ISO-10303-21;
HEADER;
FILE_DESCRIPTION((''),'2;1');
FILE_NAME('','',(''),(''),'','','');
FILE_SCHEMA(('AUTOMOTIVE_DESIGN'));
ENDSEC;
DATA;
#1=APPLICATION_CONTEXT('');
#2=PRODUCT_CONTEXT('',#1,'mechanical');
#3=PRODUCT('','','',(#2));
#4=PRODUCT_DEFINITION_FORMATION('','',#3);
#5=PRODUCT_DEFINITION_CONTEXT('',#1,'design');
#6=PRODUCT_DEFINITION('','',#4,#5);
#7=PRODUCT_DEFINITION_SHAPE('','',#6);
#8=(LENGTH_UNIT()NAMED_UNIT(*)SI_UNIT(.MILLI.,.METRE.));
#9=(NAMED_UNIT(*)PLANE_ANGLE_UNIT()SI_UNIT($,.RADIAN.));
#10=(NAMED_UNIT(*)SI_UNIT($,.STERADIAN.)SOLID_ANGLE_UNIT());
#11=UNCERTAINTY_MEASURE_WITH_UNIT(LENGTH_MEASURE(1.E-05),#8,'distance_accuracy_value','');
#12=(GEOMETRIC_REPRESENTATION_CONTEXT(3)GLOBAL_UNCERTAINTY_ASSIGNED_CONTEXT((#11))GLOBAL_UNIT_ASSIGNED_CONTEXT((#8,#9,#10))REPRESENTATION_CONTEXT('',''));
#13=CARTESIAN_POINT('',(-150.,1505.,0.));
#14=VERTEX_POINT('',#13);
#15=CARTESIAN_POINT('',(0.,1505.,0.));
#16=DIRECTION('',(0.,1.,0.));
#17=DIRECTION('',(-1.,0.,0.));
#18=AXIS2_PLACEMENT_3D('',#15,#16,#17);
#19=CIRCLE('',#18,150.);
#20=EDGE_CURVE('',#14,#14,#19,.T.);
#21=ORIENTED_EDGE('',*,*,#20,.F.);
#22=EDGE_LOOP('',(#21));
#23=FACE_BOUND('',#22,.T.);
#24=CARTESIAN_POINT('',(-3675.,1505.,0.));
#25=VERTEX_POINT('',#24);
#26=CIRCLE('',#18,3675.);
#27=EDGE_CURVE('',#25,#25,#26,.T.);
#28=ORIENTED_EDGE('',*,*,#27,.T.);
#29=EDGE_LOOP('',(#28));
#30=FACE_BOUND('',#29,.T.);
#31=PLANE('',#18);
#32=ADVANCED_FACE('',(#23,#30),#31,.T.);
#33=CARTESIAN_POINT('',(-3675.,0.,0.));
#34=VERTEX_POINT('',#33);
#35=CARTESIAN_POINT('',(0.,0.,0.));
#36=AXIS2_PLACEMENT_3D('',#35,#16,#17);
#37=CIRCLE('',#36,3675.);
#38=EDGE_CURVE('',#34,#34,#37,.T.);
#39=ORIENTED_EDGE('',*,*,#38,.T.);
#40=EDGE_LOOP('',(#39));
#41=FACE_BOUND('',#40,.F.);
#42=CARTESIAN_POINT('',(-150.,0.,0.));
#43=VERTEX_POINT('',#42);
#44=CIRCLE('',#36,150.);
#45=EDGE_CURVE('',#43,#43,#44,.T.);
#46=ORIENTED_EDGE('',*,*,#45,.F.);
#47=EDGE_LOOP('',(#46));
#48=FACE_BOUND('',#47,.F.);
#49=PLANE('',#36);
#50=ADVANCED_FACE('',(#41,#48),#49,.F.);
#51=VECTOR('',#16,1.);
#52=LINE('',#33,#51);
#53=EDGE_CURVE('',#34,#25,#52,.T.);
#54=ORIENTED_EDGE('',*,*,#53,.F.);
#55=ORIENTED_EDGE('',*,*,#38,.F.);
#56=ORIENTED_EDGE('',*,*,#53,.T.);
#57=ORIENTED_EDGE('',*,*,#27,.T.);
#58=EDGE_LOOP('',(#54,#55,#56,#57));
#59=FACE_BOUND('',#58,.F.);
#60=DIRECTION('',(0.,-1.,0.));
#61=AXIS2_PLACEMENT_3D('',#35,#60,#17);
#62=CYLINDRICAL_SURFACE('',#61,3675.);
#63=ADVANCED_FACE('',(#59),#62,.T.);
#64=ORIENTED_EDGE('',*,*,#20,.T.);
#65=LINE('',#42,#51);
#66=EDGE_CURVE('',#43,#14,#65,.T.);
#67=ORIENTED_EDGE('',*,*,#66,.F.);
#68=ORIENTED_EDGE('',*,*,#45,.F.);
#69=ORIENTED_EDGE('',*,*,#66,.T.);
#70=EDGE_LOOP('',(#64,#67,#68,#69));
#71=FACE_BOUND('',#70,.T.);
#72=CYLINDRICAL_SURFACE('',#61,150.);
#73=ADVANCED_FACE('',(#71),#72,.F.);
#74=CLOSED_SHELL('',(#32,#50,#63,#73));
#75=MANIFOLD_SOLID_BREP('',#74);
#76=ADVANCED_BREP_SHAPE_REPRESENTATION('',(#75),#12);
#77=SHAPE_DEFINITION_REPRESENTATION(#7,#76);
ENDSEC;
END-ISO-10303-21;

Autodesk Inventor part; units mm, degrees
ref_plane "YZ Plane" through (0, 0, 0) normal (1, 0, 0) x (0, 1, 0)
ref_plane "XZ Plane" through (0, 0, 0) normal (0, 1, 0) x (-1, 0, 0)
ref_plane "XY Plane" through (0, 0, 0) normal (0, 0, 1) x (1, 0, 0)
sketch "Sketch1" plane through (0, 0, 0) normal (0, 1, 0) x (-1, 0, 0)
  circle A0 centre (0, 0) radius 3675
  circle A1 centre (0, 0) radius 150
  dimension "d0" = 7350
  dimension "d1" = 300
extrude "Extrusion1" add sketch "Sketch1" along normal blind 1505
properties part number "water" material "Water"
